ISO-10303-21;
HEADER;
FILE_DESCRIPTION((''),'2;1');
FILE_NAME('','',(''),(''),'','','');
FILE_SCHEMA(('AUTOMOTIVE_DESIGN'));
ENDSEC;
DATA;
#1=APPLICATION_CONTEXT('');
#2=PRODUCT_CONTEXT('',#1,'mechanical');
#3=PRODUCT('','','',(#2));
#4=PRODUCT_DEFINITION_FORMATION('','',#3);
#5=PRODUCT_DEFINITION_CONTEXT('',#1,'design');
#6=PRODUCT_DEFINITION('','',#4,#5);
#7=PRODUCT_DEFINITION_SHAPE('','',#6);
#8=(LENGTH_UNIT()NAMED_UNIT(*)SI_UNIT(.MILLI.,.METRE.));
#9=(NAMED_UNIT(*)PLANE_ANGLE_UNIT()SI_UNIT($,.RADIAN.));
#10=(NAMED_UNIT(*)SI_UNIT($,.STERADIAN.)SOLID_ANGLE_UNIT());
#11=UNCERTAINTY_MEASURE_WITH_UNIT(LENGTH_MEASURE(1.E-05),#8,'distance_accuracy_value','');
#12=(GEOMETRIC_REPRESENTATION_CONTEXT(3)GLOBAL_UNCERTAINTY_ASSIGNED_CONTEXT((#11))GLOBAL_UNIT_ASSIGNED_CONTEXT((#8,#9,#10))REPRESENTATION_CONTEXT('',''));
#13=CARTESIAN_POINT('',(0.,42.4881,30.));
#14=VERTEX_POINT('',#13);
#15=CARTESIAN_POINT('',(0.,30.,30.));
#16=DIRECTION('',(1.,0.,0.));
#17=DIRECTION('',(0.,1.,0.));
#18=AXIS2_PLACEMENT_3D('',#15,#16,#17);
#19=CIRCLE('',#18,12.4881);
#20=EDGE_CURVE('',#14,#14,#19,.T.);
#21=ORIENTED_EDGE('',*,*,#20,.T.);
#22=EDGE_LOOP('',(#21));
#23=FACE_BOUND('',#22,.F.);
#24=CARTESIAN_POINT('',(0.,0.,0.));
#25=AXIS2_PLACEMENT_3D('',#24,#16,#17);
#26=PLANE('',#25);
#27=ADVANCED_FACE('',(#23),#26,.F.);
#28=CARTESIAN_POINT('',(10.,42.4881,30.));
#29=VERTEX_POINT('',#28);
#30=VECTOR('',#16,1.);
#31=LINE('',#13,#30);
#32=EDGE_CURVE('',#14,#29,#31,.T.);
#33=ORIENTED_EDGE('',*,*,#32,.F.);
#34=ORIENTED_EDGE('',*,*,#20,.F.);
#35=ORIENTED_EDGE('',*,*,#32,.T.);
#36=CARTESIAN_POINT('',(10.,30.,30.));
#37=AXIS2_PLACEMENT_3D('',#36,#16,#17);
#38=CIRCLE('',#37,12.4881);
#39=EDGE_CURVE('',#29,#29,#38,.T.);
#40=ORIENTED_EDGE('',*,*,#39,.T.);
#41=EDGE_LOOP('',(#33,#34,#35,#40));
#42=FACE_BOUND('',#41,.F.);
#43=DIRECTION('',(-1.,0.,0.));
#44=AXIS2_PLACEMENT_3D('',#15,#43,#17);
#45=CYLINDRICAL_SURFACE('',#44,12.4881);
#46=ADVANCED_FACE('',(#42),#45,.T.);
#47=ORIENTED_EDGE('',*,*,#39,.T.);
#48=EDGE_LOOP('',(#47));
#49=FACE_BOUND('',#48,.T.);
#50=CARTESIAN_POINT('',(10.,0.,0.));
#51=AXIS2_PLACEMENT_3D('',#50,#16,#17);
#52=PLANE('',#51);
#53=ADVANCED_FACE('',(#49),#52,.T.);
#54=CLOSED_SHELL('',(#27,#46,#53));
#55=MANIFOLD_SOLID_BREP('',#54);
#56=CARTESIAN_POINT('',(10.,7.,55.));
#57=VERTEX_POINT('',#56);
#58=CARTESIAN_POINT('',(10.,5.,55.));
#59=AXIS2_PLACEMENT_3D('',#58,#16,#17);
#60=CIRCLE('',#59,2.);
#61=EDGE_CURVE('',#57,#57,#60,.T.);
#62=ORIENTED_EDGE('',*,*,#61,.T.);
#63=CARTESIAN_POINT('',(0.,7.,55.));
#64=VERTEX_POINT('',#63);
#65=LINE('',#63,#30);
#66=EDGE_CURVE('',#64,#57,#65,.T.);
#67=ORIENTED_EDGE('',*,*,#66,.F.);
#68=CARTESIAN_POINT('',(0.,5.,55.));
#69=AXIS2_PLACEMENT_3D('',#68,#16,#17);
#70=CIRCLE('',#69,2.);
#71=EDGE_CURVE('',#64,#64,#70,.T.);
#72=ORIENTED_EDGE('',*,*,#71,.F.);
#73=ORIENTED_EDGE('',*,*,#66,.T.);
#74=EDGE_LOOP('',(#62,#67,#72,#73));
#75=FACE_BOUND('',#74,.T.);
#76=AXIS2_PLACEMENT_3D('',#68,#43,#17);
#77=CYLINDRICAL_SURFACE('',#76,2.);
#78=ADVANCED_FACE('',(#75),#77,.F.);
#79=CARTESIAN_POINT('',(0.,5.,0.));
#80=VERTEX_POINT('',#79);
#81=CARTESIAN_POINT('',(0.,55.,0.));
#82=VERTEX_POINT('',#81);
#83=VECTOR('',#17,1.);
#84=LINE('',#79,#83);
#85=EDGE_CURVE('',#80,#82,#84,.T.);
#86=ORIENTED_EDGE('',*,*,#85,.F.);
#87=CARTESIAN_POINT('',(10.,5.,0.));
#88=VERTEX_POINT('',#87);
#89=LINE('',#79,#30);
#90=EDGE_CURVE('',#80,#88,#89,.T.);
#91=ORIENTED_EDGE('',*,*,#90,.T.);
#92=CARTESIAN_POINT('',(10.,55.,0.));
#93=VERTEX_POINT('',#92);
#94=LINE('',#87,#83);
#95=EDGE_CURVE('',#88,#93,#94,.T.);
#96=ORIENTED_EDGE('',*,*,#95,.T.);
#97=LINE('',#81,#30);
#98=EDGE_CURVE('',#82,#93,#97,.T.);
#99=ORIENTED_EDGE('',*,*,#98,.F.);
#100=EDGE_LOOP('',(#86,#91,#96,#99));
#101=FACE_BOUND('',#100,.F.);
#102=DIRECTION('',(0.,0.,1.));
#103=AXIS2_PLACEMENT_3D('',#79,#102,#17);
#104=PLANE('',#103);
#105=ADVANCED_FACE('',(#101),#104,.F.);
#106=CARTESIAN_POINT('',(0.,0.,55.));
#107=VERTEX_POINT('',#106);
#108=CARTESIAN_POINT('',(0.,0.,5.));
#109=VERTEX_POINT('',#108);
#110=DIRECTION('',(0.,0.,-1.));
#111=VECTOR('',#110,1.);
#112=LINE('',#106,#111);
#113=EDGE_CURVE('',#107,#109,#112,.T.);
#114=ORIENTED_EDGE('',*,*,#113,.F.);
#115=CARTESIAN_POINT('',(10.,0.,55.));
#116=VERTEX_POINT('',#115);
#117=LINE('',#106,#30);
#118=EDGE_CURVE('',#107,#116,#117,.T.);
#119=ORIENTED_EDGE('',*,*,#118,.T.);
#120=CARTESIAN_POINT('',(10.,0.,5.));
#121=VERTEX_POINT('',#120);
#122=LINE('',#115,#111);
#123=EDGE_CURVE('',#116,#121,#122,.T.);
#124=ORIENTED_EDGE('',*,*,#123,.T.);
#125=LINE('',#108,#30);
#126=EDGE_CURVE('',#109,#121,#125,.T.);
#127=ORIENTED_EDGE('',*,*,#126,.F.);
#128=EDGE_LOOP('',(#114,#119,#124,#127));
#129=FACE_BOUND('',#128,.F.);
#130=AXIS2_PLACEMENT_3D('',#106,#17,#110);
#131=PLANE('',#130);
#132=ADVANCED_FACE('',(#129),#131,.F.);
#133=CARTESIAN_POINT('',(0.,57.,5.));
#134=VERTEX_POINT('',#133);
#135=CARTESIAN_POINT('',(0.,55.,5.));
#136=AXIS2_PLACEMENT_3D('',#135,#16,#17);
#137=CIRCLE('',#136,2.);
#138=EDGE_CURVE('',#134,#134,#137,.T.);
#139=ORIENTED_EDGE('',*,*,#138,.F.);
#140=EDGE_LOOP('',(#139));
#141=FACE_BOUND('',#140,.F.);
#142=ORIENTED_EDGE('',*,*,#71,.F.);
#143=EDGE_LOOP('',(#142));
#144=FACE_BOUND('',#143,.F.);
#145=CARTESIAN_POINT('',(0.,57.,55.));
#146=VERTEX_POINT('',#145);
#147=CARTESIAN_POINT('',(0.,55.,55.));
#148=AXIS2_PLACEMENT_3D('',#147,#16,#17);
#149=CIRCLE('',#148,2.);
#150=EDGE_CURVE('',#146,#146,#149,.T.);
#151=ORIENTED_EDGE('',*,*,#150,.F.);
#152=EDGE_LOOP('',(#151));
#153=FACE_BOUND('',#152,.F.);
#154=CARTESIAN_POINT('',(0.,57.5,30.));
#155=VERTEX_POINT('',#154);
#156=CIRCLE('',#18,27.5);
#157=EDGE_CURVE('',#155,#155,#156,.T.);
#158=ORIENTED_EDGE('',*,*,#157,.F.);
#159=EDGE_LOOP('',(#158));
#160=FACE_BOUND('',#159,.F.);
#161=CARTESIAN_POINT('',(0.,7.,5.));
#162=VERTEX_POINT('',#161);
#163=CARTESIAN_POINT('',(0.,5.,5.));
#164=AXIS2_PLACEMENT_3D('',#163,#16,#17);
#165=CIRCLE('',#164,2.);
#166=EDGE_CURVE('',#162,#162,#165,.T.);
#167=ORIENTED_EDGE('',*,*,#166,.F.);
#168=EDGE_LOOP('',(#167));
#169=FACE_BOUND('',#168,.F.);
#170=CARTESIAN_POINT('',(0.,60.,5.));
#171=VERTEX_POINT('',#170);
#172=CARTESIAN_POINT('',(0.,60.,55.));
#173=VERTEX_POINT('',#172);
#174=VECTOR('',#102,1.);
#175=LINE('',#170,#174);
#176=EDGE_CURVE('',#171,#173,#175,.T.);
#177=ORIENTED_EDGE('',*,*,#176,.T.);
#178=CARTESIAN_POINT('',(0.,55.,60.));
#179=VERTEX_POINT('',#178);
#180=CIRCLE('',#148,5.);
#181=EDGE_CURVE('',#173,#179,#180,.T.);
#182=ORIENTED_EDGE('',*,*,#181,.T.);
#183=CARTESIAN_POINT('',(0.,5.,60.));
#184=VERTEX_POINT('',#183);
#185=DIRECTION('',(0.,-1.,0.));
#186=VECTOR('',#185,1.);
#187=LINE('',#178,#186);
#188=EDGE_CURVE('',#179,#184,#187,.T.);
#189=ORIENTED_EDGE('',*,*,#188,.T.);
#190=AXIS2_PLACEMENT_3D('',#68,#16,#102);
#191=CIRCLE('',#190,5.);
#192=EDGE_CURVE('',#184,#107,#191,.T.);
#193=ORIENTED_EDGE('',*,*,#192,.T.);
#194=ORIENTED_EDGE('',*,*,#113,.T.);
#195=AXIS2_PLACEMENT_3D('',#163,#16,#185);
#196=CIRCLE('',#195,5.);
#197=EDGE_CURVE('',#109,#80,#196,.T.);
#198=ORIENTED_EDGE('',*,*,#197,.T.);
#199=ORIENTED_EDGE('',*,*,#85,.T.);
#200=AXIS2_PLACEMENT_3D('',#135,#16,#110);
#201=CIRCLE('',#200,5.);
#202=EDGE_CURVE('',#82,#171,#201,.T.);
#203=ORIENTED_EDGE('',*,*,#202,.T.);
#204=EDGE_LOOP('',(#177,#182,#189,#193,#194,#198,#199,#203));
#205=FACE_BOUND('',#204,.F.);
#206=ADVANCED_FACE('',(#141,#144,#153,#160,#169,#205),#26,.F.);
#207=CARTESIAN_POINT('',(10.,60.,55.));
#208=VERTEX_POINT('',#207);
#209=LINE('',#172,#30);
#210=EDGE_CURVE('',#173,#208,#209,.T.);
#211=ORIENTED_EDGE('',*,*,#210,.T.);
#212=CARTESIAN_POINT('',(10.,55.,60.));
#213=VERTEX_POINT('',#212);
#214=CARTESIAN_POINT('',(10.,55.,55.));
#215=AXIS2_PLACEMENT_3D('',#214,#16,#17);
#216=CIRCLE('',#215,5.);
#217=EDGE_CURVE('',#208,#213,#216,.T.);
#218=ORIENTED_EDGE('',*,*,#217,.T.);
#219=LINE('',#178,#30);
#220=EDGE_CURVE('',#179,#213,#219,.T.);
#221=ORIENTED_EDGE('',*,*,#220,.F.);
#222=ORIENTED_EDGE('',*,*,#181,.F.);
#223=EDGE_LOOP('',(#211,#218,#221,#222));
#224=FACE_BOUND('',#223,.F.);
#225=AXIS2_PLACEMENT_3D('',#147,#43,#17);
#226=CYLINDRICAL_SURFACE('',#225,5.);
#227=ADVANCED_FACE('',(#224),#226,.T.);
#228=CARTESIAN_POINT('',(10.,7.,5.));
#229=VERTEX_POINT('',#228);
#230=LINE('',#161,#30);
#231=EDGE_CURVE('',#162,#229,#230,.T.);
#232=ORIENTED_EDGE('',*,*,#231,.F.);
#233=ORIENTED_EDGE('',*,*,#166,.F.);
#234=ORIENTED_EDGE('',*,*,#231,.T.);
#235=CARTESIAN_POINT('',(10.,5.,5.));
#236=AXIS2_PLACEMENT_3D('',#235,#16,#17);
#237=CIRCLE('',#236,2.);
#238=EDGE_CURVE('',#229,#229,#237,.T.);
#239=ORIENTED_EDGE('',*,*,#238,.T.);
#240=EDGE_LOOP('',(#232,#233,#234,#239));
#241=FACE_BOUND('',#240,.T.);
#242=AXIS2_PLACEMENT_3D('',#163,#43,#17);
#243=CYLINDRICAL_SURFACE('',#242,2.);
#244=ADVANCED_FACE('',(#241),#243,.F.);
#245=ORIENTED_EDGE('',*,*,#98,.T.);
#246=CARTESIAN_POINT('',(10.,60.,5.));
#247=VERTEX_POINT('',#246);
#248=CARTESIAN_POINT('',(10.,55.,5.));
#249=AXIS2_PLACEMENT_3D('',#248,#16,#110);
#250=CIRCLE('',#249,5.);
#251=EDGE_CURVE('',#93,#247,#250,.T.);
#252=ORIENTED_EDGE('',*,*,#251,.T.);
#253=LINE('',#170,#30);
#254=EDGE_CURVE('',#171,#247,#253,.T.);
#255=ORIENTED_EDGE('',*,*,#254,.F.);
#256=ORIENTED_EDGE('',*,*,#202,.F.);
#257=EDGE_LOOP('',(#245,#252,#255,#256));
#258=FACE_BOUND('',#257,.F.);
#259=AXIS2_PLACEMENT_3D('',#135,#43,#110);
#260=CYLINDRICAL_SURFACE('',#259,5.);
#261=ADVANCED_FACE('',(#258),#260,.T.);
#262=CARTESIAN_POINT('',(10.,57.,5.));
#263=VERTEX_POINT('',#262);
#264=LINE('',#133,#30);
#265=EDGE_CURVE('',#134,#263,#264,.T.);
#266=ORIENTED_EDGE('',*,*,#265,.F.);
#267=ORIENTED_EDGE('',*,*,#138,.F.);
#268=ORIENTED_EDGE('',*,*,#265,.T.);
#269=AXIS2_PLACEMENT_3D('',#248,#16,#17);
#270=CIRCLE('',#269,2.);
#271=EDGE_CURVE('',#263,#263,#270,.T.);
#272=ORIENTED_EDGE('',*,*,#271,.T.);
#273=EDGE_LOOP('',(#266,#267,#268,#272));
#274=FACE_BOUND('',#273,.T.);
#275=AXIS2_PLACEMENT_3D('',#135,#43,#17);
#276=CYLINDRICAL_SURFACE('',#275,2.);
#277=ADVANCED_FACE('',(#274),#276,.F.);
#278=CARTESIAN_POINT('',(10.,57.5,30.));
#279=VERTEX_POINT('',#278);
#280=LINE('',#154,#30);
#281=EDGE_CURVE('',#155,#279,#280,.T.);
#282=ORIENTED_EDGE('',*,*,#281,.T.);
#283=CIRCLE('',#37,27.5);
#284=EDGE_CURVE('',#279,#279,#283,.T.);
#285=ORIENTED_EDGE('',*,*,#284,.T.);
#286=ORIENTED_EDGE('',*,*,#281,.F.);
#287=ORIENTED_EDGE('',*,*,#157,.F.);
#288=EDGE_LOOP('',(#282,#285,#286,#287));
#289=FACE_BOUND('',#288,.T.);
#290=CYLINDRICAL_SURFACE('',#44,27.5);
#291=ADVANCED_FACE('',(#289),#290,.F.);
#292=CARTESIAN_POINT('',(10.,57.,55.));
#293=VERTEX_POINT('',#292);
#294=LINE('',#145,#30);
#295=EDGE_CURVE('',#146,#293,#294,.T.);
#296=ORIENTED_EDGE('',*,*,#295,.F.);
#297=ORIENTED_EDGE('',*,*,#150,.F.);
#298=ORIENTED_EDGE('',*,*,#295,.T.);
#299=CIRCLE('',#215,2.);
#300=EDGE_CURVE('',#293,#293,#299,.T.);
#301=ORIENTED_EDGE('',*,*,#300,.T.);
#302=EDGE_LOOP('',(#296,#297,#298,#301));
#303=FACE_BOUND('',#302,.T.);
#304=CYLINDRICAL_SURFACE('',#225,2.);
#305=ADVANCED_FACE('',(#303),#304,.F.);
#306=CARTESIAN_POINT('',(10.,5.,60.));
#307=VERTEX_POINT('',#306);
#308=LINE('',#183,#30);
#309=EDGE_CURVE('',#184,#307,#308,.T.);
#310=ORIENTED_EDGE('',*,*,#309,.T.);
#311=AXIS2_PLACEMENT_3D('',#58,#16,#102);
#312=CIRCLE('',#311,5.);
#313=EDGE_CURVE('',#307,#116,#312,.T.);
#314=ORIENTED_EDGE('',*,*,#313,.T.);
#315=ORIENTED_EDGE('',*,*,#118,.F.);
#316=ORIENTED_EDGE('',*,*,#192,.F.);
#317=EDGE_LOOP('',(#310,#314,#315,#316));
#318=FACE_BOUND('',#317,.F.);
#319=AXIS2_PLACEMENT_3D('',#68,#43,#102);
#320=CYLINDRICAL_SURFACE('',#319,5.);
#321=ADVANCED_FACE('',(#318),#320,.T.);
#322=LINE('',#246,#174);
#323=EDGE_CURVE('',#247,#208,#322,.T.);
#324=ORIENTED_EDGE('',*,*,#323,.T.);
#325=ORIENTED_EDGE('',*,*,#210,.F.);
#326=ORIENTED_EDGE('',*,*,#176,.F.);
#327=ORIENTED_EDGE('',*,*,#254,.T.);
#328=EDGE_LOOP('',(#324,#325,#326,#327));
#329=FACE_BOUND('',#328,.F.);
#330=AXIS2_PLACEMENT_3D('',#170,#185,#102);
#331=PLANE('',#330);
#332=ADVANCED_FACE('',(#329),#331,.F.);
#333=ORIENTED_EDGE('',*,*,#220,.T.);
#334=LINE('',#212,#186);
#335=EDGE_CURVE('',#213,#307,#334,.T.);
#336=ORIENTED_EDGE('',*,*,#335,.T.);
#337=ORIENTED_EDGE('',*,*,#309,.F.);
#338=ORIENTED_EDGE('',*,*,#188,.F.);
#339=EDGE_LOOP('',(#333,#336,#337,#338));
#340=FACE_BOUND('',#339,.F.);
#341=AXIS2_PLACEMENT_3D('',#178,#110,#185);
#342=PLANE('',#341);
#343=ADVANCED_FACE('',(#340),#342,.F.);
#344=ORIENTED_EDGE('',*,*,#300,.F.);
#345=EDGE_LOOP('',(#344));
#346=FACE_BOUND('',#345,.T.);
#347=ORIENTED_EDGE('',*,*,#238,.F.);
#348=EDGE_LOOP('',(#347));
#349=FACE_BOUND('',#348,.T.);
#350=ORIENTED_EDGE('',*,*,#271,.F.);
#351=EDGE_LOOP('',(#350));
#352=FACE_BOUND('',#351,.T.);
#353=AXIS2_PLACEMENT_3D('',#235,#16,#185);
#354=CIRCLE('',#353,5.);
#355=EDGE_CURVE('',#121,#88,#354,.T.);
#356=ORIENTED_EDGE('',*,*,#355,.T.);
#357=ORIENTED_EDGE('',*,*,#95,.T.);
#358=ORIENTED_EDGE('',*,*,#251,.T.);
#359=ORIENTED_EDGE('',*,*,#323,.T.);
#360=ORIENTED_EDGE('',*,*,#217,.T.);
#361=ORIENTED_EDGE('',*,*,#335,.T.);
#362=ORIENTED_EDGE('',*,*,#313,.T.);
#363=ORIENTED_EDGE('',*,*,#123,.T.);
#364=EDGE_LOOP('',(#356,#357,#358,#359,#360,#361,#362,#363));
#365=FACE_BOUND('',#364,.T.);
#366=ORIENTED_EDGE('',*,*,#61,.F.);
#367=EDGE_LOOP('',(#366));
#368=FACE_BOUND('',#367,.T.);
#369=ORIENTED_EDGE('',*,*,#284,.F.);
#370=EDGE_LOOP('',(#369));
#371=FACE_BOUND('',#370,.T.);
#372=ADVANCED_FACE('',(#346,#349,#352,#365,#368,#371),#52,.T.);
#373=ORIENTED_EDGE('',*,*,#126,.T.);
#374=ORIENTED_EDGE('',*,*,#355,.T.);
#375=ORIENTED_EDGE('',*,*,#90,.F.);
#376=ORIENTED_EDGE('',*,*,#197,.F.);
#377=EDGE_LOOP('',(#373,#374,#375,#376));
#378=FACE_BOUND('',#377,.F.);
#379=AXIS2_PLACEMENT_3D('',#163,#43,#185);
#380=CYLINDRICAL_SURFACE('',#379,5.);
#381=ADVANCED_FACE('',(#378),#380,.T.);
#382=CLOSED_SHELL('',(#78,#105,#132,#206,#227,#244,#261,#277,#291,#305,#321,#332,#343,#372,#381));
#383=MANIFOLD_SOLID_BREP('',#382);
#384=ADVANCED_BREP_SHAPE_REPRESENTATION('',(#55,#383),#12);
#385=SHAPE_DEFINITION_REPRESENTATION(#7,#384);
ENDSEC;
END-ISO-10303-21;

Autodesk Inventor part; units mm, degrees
ref_plane "YZ Plane" through (0, 0, 0) normal (1, 0, 0) x (0, 1, 0)
ref_plane "XZ Plane" through (0, 0, 0) normal (0, 1, 0) x (-1, 0, 0)
ref_plane "XY Plane" through (0, 0, 0) normal (0, 0, 1) x (1, 0, 0)
sketch "Sketch1" plane through (0, 0, 0) normal (1, 0, 0) x (0, 1, 0)
  line L0 (5, 0) -> (55, 0)
  line L1 (60, 5) -> (60, 55)
  line L2 (55, 60) -> (5, 60)
  line L3 (0, 55) -> (0, 5)
  arc A0 (5, 60) -> (0, 55) centre (5, 55) ccw
  arc A1 (0, 5) -> (5, 0) centre (5, 5) ccw
  arc A2 (60, 55) -> (55, 60) centre (55, 55) ccw
  arc A3 (55, 0) -> (60, 5) centre (55, 5) ccw
  circle A4 centre (5, 55) radius 2
  circle A5 centre (5, 5) radius 2
  circle A6 centre (55, 5) radius 2
  circle A7 centre (55, 55) radius 2
  circle A8 centre (30, 30) radius 27.5
  circle A9 centre (30, 30) radius 12.4881
  point P0 (0, 0)
  point P1 (60, 60)
  point P2 (60, 0)
  point P3 (0, 60)
  dimension "d0" = 60
  dimension "d2" = 60
  dimension "d3" = 5
  dimension "d4" = 5
  dimension "d5" = 4
  dimension "d6" = 4
  dimension "d7" = 4
  dimension "d8" = 4
  dimension "d9" = 30
  dimension "d10" = 30
  dimension "d11" = 55
extrude "Extrusion1" add sketch "Sketch1" along normal blind 10
properties part number "fan_60"
